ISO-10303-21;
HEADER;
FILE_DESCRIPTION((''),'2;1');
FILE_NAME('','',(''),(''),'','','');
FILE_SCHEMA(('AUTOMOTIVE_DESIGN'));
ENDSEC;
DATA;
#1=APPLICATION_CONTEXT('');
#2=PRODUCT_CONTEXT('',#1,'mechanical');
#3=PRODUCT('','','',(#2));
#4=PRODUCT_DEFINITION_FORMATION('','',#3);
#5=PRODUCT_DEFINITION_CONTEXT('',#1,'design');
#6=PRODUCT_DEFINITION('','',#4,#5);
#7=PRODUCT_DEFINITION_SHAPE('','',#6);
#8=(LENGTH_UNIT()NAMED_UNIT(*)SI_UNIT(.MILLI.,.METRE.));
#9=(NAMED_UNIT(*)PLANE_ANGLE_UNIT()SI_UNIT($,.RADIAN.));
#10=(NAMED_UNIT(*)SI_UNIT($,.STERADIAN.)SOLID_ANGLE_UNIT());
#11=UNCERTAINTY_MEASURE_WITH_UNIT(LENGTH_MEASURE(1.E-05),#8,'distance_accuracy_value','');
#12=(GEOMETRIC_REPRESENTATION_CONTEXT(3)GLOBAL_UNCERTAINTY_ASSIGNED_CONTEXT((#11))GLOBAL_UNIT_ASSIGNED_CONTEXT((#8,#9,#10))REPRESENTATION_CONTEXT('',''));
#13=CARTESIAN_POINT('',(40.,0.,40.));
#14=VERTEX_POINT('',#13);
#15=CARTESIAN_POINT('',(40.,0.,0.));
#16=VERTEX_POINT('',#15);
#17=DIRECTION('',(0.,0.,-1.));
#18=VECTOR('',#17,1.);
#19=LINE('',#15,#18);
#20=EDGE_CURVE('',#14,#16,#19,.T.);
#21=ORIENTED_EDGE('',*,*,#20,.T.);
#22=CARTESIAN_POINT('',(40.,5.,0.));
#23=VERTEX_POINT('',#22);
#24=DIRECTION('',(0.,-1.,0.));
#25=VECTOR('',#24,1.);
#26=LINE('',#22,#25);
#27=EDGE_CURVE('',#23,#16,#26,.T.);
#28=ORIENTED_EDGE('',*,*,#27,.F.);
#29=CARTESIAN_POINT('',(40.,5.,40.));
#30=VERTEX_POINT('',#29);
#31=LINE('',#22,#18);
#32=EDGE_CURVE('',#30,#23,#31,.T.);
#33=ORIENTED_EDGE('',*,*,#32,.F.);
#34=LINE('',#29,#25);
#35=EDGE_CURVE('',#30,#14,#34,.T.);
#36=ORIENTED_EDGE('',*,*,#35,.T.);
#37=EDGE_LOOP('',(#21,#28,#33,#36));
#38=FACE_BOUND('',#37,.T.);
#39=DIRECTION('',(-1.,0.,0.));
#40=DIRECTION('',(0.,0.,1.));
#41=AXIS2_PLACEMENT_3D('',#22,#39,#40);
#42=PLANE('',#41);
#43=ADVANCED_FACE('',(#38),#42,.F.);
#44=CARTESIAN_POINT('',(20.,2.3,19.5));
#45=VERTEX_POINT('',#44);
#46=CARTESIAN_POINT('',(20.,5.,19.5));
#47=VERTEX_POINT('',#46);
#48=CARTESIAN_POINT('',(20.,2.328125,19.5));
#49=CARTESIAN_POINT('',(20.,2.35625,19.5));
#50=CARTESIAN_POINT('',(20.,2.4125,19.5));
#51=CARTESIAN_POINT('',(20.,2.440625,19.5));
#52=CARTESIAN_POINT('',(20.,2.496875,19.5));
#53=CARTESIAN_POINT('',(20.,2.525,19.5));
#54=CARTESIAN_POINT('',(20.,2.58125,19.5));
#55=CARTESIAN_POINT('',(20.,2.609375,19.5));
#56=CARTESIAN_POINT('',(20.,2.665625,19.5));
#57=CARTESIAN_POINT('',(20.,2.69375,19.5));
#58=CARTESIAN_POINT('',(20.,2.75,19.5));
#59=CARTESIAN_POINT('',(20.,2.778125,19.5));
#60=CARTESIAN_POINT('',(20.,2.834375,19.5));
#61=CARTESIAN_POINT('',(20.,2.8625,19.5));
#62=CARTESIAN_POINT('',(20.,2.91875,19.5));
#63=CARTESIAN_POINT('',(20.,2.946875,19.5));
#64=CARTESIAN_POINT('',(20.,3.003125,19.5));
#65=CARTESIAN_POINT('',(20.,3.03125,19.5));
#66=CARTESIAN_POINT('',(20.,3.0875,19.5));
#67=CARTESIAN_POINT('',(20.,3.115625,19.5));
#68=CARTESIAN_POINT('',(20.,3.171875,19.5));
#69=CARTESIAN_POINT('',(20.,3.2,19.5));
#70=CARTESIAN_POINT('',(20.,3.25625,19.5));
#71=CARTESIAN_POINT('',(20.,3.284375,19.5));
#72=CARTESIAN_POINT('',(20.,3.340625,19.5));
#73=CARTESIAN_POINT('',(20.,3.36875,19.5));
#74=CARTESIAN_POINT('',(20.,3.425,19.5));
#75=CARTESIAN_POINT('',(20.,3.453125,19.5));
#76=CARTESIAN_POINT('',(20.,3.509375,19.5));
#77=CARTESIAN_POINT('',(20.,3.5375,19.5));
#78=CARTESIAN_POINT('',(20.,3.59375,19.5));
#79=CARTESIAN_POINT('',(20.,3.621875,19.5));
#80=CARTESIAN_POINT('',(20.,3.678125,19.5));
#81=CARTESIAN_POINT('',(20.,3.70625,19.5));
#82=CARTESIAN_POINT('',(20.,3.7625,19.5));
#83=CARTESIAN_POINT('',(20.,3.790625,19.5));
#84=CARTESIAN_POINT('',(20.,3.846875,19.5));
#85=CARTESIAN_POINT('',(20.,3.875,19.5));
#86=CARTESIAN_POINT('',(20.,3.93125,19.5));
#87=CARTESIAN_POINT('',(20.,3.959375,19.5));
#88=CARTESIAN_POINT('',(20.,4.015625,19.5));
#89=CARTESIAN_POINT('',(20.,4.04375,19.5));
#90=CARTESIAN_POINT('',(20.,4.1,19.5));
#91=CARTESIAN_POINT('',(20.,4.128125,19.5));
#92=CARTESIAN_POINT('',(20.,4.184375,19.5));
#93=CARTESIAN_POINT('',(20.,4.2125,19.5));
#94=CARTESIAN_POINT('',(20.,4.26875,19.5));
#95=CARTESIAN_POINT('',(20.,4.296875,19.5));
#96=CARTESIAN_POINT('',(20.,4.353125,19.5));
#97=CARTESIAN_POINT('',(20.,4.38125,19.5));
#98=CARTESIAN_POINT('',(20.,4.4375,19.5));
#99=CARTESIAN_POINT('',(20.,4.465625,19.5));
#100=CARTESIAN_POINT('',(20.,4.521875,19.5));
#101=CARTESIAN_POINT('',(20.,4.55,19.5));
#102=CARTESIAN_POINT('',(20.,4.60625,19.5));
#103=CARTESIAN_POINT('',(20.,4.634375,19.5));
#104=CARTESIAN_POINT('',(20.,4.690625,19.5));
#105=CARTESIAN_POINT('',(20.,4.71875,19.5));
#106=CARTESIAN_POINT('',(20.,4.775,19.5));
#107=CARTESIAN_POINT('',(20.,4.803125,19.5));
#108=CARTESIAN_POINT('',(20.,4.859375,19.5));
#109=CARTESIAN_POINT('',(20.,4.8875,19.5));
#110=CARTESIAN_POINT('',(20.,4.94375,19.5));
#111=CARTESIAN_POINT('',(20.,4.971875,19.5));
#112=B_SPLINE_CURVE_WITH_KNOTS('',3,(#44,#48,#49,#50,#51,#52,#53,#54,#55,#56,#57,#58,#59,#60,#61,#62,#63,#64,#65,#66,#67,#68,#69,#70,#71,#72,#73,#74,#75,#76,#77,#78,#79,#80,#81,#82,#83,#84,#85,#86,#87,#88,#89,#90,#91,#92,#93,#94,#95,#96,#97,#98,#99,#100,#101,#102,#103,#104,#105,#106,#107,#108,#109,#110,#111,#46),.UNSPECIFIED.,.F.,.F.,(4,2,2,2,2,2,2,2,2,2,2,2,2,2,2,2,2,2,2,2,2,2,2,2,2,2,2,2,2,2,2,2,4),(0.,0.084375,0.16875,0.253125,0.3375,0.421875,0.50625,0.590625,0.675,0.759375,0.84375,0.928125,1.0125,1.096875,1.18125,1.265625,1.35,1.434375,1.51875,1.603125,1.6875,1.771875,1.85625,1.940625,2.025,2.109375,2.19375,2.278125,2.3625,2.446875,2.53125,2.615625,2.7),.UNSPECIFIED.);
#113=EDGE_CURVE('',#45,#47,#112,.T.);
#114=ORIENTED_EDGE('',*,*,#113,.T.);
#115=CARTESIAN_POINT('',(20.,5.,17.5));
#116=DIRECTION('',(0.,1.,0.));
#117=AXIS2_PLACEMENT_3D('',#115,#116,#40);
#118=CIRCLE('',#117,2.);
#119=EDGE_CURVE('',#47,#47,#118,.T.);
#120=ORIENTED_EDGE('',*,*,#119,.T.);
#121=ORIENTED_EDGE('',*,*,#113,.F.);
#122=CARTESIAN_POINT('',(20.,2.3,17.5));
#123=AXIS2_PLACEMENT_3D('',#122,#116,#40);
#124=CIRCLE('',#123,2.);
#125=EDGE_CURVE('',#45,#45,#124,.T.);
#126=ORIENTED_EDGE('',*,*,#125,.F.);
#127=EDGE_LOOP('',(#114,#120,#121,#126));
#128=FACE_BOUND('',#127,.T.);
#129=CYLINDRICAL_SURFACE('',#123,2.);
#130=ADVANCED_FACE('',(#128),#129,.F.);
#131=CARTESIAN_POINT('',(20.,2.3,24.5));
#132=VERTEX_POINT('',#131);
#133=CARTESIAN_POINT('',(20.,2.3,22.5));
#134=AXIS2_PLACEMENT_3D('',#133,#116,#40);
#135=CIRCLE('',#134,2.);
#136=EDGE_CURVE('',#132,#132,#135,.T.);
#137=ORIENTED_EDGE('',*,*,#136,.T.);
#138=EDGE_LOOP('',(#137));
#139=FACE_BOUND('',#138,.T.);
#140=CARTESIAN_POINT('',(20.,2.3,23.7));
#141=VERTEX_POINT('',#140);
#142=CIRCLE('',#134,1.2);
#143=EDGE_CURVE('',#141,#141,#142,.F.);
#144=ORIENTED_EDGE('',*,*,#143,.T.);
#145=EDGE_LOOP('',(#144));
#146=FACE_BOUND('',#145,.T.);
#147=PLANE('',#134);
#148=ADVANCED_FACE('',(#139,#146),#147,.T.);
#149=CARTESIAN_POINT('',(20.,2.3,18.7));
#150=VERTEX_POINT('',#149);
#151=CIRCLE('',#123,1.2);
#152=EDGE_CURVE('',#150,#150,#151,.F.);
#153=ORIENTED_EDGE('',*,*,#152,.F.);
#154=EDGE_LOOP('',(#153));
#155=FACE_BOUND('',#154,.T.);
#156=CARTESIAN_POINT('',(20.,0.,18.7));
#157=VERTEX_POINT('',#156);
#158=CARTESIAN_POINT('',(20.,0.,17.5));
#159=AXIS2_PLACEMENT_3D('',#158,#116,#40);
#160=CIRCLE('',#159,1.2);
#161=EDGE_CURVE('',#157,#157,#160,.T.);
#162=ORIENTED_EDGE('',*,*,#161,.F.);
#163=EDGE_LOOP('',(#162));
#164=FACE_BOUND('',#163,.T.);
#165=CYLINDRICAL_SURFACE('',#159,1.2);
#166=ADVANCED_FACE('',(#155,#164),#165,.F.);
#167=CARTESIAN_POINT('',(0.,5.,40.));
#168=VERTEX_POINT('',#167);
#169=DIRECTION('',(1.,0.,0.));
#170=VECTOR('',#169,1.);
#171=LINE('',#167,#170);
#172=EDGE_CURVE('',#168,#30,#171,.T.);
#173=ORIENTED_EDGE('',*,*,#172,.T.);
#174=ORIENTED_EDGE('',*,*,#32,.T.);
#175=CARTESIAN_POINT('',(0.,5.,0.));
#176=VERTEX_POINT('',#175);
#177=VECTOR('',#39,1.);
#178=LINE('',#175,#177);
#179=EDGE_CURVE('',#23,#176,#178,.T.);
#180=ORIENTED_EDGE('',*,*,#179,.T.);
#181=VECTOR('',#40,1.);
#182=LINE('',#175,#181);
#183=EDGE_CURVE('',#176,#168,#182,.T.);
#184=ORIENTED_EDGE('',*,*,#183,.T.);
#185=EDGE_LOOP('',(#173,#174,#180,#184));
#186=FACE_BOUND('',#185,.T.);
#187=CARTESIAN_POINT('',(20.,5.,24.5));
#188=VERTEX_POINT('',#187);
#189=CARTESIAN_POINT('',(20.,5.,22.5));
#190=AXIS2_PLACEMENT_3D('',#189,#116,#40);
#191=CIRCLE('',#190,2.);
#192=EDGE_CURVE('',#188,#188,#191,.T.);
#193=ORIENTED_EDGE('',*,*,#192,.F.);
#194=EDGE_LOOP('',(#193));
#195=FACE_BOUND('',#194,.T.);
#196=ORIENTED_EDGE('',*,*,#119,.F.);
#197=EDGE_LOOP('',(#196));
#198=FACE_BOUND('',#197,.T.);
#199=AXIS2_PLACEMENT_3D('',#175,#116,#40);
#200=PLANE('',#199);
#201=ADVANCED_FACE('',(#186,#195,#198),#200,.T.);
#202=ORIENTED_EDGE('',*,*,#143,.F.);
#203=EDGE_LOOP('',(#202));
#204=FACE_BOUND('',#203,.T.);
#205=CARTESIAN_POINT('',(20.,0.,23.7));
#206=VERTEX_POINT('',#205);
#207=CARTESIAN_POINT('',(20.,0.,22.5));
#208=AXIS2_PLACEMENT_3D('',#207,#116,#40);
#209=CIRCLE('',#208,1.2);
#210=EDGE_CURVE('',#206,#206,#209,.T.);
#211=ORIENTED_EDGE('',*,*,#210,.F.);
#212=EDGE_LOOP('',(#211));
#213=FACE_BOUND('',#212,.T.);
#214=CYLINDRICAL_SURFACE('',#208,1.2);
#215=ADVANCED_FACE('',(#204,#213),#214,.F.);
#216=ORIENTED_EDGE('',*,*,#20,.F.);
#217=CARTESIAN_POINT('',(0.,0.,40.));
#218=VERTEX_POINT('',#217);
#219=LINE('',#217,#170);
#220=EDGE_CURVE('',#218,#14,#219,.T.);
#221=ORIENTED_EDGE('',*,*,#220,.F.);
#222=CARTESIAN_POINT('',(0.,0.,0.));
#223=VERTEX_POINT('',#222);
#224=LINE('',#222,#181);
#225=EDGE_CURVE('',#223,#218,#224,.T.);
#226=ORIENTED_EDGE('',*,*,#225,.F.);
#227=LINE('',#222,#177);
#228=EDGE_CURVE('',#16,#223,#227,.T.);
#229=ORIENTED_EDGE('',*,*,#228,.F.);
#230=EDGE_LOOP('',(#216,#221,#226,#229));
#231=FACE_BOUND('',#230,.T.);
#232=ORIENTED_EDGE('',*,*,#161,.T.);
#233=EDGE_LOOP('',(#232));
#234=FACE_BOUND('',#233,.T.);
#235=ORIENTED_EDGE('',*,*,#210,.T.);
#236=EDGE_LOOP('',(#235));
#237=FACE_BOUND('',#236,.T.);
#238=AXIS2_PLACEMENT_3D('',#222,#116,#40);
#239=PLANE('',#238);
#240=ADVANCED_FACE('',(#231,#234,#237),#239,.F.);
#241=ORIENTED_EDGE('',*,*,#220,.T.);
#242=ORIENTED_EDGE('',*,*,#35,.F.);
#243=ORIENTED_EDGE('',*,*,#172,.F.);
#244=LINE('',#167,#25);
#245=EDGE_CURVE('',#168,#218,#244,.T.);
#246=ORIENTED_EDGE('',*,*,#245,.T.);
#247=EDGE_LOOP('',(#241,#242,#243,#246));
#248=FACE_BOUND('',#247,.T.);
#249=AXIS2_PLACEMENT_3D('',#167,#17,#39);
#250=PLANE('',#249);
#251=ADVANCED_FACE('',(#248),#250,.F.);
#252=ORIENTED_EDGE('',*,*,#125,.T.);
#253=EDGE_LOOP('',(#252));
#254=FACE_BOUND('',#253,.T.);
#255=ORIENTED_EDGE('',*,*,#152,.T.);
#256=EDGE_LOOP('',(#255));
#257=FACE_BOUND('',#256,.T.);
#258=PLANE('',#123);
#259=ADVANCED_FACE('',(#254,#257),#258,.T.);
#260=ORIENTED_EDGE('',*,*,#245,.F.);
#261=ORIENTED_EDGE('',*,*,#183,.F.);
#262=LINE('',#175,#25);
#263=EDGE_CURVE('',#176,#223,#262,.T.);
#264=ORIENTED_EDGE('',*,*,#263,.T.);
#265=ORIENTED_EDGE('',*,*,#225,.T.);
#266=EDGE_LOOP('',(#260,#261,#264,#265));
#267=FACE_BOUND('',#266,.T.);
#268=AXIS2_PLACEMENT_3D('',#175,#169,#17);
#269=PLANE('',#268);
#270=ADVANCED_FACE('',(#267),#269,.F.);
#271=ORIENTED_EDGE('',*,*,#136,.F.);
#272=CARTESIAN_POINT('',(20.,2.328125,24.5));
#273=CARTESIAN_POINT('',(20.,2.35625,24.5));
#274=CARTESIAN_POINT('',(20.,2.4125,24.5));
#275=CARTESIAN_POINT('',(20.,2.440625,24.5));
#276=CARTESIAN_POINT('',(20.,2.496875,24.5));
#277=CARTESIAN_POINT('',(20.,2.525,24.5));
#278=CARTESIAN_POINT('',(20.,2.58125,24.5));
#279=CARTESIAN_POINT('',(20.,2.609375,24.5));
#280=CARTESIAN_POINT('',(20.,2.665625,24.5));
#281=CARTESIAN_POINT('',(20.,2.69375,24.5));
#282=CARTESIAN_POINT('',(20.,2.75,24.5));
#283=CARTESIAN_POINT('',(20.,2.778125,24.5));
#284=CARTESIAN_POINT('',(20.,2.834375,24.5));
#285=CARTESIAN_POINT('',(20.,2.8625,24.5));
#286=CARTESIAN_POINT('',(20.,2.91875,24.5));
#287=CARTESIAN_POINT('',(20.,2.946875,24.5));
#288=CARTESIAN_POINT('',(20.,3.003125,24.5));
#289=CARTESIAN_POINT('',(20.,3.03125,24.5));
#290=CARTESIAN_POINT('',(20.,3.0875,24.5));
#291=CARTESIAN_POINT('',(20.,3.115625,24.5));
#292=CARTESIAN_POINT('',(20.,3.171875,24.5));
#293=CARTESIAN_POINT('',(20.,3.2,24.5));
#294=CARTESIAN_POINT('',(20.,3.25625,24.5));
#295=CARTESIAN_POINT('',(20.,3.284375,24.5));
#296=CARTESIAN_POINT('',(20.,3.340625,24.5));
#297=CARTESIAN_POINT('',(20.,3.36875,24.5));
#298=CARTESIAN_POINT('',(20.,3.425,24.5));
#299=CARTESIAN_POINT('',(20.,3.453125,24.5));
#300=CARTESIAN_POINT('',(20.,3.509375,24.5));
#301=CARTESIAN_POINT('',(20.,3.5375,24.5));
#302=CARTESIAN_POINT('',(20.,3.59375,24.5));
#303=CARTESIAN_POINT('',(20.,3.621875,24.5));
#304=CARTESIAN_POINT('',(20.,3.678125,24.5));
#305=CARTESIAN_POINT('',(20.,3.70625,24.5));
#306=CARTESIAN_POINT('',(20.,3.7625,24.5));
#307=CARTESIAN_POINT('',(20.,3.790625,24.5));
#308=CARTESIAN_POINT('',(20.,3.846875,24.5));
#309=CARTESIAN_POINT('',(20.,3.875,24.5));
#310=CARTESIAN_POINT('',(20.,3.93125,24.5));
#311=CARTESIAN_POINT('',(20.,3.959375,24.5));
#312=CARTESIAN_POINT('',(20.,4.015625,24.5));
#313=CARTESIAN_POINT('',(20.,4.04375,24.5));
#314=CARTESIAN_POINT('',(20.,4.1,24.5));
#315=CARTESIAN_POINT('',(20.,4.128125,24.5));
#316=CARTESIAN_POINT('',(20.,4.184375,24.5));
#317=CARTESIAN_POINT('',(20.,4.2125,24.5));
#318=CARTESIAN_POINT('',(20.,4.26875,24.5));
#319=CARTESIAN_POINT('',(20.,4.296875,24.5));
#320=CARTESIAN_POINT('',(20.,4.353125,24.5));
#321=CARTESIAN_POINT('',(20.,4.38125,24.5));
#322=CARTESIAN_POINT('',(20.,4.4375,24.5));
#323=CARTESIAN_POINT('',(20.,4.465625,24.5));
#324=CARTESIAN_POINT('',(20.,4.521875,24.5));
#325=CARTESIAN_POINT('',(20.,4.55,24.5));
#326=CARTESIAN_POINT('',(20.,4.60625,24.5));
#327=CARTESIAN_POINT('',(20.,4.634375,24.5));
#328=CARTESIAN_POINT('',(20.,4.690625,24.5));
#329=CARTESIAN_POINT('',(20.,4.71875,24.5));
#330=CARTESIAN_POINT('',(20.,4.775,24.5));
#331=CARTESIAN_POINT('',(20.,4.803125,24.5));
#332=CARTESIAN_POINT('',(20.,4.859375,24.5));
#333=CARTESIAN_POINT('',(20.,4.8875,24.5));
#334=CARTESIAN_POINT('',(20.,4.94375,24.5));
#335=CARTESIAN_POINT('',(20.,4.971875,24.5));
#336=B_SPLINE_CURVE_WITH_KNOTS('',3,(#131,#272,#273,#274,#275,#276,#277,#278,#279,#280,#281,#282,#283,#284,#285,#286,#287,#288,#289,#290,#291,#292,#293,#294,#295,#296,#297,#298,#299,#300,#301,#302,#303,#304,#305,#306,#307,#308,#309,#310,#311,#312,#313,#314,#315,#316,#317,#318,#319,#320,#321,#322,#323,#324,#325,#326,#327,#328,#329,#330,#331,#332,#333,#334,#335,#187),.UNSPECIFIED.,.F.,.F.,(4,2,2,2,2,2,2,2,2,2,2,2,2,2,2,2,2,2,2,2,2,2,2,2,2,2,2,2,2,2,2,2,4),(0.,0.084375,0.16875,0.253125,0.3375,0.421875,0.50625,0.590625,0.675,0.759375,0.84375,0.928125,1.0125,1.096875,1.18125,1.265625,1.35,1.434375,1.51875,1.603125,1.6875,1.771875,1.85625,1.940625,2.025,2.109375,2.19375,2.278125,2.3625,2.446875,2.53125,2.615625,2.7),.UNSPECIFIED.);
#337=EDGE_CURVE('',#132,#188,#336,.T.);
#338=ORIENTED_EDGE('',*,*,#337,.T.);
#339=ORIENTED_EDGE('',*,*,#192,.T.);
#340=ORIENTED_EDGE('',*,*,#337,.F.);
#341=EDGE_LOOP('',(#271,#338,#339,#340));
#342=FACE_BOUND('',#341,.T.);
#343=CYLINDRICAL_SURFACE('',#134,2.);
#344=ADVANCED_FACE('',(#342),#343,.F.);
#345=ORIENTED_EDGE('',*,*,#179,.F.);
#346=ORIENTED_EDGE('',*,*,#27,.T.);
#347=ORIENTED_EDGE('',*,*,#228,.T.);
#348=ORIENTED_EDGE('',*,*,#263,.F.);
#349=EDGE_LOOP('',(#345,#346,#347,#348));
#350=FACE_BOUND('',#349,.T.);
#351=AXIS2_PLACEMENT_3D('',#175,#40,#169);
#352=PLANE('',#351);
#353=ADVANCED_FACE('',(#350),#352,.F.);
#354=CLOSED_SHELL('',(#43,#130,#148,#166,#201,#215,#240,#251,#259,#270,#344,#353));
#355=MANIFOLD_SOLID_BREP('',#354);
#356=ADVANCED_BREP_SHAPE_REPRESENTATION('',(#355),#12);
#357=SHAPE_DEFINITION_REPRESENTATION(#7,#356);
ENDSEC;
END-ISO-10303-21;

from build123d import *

# Parameters (mm, degrees)
SKETCH_1_W          = 40
SKETCH_1_H          = 40
EXTRUDE_1_DEPTH     = 5
SKETCH_2_R          = 1.2
CUT_EXTRUDE_1_DEPTH = 57.789083458
SKETCH_3_R          = 2
CUT_EXTRUDE_2_DEPTH = 2.7


with BuildPart() as part:
    # 草图1 → 凸台-拉伸1 (new body)
    with BuildSketch(Plane(origin=(0, 0, 0), x_dir=(1, 0, 0), z_dir=(0, 1, 0))):
        with Locations((20, -20)):
            Rectangle(SKETCH_1_W, SKETCH_1_H)
    extrude(amount=EXTRUDE_1_DEPTH)

    # 草图2 → 切除-拉伸1 (cut, through all)
    with BuildSketch(Plane(origin=(0, 5, 0), x_dir=(1, 0, 0), z_dir=(0, 1, 0))):
        with Locations(Location((20, -17.5, 0), (0, 0, 270))):
            Circle(SKETCH_2_R)
        with Locations(Location((20, -22.5, 0), (0, 0, 270))):
            Circle(SKETCH_2_R)
    extrude(amount=-CUT_EXTRUDE_1_DEPTH, mode=Mode.SUBTRACT)

    # 草图3 → 切除-拉伸2 (cut)
    with BuildSketch(Plane(origin=(0, 5, 0), x_dir=(1, 0, 0), z_dir=(0, 1, 0))):
        with Locations(Location((20, -17.5, 0), (0, 0, 270))):
            Circle(SKETCH_3_R)
        with Locations(Location((20, -22.5, 0), (0, 0, 270))):
            Circle(SKETCH_3_R)
    extrude(amount=-CUT_EXTRUDE_2_DEPTH, mode=Mode.SUBTRACT)


solid = part.part
